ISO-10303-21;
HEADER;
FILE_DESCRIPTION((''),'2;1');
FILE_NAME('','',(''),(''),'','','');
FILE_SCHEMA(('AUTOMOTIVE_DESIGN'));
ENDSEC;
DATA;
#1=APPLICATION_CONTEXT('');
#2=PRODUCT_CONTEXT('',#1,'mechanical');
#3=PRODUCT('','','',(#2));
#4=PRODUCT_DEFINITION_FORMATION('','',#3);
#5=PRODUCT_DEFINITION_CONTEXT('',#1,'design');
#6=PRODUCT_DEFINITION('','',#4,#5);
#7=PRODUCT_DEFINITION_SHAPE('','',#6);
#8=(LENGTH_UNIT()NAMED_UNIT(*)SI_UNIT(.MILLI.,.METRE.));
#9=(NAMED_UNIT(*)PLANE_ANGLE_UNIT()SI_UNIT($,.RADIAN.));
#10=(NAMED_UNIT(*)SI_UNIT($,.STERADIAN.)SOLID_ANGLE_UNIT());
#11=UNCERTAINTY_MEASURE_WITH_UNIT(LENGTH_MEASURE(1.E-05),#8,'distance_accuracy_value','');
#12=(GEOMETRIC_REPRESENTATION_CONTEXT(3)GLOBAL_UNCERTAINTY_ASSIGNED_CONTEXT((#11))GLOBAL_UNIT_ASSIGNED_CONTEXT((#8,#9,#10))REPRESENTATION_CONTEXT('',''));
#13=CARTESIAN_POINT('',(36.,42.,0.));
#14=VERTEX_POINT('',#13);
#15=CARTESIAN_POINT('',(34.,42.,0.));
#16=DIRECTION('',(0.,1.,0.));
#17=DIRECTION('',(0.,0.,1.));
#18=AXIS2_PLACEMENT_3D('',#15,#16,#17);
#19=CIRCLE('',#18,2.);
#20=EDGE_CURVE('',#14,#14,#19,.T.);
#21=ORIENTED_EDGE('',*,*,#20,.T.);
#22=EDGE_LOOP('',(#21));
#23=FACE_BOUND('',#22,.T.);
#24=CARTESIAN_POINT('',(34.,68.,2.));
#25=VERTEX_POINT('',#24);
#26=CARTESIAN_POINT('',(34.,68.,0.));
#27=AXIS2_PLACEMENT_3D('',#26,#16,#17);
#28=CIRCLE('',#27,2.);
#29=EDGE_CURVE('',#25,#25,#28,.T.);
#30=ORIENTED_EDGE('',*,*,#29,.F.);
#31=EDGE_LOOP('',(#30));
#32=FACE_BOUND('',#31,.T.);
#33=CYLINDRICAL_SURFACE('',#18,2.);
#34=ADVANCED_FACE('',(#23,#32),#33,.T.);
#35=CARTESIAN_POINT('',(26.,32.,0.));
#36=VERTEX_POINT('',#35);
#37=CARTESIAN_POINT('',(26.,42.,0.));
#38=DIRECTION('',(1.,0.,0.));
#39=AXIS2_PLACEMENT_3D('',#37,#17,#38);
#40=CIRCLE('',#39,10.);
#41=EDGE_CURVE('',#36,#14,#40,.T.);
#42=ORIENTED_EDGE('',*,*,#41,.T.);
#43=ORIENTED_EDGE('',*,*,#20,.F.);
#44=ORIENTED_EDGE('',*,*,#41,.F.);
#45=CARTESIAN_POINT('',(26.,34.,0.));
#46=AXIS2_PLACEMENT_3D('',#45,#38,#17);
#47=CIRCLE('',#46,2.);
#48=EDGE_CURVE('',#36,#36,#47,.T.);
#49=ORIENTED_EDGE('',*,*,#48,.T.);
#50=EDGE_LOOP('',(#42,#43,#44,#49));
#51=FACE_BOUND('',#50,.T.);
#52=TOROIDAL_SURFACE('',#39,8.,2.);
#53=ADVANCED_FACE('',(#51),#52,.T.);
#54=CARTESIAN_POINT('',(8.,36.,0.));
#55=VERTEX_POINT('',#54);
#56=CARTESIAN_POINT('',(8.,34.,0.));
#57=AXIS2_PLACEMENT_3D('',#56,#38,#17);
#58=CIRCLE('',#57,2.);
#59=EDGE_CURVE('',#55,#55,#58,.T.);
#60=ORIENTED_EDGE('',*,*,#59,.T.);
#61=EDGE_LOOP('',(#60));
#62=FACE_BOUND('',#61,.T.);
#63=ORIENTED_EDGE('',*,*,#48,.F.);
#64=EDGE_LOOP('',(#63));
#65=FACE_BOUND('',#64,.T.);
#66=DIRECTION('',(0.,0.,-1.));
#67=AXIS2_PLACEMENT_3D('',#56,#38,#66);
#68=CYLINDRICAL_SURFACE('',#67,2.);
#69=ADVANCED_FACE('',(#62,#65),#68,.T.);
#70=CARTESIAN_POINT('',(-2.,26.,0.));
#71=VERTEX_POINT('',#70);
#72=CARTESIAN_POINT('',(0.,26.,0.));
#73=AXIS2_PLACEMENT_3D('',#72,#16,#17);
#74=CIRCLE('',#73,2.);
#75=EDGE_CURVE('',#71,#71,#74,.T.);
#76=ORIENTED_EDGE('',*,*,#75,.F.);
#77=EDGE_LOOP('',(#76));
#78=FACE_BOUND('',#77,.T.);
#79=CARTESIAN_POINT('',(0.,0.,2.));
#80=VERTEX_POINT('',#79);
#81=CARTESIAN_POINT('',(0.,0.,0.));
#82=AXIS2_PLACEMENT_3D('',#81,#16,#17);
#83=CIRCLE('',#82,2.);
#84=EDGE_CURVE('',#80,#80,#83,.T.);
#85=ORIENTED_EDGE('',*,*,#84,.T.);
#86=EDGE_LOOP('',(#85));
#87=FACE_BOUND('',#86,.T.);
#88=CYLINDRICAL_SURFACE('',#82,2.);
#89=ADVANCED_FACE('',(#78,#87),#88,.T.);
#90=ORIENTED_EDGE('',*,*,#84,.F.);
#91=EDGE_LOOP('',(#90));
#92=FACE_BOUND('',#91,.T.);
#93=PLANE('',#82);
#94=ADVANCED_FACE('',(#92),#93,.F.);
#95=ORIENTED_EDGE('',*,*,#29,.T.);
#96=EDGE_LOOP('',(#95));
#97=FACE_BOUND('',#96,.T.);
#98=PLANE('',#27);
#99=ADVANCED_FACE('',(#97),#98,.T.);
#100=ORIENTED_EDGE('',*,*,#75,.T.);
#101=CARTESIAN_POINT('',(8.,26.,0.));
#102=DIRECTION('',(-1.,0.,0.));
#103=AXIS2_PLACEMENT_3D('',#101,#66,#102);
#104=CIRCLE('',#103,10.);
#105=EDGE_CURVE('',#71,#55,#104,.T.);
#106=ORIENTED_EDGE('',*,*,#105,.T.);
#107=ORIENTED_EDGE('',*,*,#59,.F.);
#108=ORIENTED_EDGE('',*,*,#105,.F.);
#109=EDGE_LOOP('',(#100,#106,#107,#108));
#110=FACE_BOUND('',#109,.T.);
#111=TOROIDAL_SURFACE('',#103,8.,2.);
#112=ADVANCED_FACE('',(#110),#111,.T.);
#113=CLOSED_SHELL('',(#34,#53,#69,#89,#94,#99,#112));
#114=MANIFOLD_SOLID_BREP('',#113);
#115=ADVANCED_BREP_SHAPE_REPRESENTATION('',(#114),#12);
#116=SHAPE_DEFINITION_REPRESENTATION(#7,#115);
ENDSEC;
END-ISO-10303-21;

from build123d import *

# Parameters (mm, degrees)
SKETCH_18_R = 2


with BuildPart() as part:
    # ｽｲｰﾌﾟ6: sweep along a path in ｽｹｯﾁ19
    with BuildLine(Plane.XY) as sweep_6_path:
        Line((0, 0), (0, 26))
        ThreePointArc((0, 26), (2.343145751, 31.656854249), (8, 34))
        Line((8, 34), (26, 34))
        ThreePointArc((26, 34), (31.656854249, 36.343145751), (34, 42))
        Line((34, 42), (34, 68))
    # ｽｹｯﾁ18 → ｽｲｰﾌﾟ6 (sweep)
    with BuildSketch(Plane(origin=(0, 0, 0), x_dir=(1, 0, 0), z_dir=(0, 1, 0))):
        Circle(SKETCH_18_R)
    sweep(path=sweep_6_path.line)


solid = part.part
